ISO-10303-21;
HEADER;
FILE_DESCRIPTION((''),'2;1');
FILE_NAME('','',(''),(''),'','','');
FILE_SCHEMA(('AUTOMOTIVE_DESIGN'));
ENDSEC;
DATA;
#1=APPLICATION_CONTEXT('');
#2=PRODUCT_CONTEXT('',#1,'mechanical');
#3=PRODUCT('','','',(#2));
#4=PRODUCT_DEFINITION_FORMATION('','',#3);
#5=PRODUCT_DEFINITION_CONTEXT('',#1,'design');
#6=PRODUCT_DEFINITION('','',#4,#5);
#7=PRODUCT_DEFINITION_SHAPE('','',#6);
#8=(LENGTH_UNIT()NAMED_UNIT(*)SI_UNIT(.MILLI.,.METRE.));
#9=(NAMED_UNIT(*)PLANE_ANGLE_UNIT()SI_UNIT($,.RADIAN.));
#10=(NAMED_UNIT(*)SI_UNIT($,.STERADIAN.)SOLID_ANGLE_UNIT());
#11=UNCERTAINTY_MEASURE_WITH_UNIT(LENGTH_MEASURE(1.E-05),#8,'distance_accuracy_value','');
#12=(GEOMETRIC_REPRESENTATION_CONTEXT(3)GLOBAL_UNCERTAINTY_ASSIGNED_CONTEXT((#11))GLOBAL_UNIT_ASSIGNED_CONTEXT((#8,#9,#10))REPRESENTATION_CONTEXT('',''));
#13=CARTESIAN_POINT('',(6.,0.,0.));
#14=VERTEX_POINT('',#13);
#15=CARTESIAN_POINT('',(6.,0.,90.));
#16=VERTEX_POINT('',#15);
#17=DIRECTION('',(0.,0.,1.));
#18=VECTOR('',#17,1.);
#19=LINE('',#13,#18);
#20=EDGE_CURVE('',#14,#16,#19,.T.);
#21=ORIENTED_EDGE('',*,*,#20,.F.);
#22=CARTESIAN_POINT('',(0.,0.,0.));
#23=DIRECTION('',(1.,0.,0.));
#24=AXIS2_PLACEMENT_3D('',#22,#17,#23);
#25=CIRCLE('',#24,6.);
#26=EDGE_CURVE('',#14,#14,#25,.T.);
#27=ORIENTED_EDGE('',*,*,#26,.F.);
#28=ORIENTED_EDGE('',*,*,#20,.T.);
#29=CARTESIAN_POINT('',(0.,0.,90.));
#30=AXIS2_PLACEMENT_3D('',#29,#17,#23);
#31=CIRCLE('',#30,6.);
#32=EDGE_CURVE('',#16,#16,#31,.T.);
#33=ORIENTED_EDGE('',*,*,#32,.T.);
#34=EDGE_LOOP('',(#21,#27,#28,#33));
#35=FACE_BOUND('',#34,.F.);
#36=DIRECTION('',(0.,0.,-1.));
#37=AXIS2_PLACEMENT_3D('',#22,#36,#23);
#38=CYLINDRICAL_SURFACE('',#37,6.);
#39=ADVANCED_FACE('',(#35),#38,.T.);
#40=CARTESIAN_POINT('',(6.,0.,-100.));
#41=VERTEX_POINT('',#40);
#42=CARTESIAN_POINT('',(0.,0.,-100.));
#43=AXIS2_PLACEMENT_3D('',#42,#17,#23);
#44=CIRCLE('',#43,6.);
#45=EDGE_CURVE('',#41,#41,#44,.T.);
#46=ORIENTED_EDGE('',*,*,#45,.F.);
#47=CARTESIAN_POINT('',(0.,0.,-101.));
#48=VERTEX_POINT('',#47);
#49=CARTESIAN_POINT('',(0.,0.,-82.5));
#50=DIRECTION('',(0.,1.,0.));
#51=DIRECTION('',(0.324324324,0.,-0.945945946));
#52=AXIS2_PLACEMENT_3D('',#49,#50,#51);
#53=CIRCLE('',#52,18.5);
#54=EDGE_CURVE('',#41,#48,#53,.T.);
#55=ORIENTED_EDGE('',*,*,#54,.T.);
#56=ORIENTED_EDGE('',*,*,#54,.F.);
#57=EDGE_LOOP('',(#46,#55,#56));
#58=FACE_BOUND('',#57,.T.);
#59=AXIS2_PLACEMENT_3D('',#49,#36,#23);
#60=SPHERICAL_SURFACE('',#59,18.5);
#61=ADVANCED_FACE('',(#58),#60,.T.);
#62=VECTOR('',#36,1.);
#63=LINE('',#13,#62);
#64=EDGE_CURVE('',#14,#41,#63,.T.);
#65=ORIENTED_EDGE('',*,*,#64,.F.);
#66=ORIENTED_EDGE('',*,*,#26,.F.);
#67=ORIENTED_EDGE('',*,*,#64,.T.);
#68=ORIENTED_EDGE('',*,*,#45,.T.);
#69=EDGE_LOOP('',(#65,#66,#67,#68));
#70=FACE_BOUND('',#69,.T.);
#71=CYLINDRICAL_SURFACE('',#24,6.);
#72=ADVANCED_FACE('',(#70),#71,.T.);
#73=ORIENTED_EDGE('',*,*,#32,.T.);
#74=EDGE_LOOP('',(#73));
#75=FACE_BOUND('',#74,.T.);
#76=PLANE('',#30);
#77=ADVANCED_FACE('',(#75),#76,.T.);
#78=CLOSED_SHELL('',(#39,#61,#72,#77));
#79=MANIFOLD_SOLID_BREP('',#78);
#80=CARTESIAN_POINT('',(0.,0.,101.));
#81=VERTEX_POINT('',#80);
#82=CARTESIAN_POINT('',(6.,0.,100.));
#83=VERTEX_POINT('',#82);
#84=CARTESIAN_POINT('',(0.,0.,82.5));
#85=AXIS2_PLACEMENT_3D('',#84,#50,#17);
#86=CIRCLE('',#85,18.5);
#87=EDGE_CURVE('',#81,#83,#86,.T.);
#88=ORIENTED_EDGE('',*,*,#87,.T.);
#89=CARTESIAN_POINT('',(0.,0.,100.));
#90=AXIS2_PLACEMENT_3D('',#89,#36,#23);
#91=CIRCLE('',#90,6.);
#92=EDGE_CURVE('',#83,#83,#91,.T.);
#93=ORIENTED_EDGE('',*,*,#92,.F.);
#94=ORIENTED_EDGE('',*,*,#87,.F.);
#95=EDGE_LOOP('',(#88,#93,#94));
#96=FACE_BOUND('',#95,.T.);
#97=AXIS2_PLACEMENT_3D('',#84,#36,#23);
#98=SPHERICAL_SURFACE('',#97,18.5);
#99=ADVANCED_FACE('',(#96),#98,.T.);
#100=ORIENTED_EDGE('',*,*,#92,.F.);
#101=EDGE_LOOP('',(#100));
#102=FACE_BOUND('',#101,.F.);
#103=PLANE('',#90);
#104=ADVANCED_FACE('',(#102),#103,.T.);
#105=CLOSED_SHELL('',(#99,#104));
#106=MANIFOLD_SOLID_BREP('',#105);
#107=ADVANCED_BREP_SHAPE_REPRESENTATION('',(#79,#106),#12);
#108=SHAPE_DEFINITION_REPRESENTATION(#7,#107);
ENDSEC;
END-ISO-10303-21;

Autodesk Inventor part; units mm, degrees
ref_plane "YZ Plane" through (0, 0, 0) normal (1, 0, 0) x (0, 1, 0)
ref_plane "XZ Plane" through (0, 0, 0) normal (0, 1, 0) x (-1, 0, 0)
ref_plane "XY Plane" through (0, 0, 0) normal (0, 0, 1) x (1, 0, 0)
sketch "Szkic1" plane through (0, 0, 0) normal (0, 0, 1) x (1, 0, 0)
  circle A0 centre (0, 0) radius 6
  dimension "d0" = 12
extrude "Oś" add sketch "Szkic1" along normal blind 90 and the other way blind 100
thread "Gwint1" size "M12x1.75" class "6g" standard "ISO Metric profile" length 45
thread "Gwint2" size "M12x1.75" class "6g" standard "ISO Metric profile" length 45
sketch "Szkic4" plane through (0, 0, 0) normal (0, 1, 0) x (-1, 0, 0)
  arc A0 (-6, -100) -> (0, -101) centre (0, -82.5) ccw
  line L0 (0, 0) -> (5.8281, -2.2004) construction
  line L1 (-6, -100) -> (6, -100) construction
  line L2 (0, -100) -> (-6, -100)
  line L3 (0, -100) -> (0, -101)
  line L4 (0, 0) -> (7.1685, 0) construction
  arc A1 (0, 101) -> (-6, 100) centre (0, 82.5) ccw
  line L5 (-6, 100) -> (6, 100) construction
  line L6 (0, 100) -> (-6, 100)
  line L7 (0, 100) -> (0, 101)
  point P0 (4.76, -82.5)
  dimension "d21" = 1
revolve "Obrót zakończeń" add sketch "Szkic4" angle 360 about axis through (0, 0, -100) along (0, 0, -1)
properties part number "Oś piasty" material "Aluminium AW-7020"
